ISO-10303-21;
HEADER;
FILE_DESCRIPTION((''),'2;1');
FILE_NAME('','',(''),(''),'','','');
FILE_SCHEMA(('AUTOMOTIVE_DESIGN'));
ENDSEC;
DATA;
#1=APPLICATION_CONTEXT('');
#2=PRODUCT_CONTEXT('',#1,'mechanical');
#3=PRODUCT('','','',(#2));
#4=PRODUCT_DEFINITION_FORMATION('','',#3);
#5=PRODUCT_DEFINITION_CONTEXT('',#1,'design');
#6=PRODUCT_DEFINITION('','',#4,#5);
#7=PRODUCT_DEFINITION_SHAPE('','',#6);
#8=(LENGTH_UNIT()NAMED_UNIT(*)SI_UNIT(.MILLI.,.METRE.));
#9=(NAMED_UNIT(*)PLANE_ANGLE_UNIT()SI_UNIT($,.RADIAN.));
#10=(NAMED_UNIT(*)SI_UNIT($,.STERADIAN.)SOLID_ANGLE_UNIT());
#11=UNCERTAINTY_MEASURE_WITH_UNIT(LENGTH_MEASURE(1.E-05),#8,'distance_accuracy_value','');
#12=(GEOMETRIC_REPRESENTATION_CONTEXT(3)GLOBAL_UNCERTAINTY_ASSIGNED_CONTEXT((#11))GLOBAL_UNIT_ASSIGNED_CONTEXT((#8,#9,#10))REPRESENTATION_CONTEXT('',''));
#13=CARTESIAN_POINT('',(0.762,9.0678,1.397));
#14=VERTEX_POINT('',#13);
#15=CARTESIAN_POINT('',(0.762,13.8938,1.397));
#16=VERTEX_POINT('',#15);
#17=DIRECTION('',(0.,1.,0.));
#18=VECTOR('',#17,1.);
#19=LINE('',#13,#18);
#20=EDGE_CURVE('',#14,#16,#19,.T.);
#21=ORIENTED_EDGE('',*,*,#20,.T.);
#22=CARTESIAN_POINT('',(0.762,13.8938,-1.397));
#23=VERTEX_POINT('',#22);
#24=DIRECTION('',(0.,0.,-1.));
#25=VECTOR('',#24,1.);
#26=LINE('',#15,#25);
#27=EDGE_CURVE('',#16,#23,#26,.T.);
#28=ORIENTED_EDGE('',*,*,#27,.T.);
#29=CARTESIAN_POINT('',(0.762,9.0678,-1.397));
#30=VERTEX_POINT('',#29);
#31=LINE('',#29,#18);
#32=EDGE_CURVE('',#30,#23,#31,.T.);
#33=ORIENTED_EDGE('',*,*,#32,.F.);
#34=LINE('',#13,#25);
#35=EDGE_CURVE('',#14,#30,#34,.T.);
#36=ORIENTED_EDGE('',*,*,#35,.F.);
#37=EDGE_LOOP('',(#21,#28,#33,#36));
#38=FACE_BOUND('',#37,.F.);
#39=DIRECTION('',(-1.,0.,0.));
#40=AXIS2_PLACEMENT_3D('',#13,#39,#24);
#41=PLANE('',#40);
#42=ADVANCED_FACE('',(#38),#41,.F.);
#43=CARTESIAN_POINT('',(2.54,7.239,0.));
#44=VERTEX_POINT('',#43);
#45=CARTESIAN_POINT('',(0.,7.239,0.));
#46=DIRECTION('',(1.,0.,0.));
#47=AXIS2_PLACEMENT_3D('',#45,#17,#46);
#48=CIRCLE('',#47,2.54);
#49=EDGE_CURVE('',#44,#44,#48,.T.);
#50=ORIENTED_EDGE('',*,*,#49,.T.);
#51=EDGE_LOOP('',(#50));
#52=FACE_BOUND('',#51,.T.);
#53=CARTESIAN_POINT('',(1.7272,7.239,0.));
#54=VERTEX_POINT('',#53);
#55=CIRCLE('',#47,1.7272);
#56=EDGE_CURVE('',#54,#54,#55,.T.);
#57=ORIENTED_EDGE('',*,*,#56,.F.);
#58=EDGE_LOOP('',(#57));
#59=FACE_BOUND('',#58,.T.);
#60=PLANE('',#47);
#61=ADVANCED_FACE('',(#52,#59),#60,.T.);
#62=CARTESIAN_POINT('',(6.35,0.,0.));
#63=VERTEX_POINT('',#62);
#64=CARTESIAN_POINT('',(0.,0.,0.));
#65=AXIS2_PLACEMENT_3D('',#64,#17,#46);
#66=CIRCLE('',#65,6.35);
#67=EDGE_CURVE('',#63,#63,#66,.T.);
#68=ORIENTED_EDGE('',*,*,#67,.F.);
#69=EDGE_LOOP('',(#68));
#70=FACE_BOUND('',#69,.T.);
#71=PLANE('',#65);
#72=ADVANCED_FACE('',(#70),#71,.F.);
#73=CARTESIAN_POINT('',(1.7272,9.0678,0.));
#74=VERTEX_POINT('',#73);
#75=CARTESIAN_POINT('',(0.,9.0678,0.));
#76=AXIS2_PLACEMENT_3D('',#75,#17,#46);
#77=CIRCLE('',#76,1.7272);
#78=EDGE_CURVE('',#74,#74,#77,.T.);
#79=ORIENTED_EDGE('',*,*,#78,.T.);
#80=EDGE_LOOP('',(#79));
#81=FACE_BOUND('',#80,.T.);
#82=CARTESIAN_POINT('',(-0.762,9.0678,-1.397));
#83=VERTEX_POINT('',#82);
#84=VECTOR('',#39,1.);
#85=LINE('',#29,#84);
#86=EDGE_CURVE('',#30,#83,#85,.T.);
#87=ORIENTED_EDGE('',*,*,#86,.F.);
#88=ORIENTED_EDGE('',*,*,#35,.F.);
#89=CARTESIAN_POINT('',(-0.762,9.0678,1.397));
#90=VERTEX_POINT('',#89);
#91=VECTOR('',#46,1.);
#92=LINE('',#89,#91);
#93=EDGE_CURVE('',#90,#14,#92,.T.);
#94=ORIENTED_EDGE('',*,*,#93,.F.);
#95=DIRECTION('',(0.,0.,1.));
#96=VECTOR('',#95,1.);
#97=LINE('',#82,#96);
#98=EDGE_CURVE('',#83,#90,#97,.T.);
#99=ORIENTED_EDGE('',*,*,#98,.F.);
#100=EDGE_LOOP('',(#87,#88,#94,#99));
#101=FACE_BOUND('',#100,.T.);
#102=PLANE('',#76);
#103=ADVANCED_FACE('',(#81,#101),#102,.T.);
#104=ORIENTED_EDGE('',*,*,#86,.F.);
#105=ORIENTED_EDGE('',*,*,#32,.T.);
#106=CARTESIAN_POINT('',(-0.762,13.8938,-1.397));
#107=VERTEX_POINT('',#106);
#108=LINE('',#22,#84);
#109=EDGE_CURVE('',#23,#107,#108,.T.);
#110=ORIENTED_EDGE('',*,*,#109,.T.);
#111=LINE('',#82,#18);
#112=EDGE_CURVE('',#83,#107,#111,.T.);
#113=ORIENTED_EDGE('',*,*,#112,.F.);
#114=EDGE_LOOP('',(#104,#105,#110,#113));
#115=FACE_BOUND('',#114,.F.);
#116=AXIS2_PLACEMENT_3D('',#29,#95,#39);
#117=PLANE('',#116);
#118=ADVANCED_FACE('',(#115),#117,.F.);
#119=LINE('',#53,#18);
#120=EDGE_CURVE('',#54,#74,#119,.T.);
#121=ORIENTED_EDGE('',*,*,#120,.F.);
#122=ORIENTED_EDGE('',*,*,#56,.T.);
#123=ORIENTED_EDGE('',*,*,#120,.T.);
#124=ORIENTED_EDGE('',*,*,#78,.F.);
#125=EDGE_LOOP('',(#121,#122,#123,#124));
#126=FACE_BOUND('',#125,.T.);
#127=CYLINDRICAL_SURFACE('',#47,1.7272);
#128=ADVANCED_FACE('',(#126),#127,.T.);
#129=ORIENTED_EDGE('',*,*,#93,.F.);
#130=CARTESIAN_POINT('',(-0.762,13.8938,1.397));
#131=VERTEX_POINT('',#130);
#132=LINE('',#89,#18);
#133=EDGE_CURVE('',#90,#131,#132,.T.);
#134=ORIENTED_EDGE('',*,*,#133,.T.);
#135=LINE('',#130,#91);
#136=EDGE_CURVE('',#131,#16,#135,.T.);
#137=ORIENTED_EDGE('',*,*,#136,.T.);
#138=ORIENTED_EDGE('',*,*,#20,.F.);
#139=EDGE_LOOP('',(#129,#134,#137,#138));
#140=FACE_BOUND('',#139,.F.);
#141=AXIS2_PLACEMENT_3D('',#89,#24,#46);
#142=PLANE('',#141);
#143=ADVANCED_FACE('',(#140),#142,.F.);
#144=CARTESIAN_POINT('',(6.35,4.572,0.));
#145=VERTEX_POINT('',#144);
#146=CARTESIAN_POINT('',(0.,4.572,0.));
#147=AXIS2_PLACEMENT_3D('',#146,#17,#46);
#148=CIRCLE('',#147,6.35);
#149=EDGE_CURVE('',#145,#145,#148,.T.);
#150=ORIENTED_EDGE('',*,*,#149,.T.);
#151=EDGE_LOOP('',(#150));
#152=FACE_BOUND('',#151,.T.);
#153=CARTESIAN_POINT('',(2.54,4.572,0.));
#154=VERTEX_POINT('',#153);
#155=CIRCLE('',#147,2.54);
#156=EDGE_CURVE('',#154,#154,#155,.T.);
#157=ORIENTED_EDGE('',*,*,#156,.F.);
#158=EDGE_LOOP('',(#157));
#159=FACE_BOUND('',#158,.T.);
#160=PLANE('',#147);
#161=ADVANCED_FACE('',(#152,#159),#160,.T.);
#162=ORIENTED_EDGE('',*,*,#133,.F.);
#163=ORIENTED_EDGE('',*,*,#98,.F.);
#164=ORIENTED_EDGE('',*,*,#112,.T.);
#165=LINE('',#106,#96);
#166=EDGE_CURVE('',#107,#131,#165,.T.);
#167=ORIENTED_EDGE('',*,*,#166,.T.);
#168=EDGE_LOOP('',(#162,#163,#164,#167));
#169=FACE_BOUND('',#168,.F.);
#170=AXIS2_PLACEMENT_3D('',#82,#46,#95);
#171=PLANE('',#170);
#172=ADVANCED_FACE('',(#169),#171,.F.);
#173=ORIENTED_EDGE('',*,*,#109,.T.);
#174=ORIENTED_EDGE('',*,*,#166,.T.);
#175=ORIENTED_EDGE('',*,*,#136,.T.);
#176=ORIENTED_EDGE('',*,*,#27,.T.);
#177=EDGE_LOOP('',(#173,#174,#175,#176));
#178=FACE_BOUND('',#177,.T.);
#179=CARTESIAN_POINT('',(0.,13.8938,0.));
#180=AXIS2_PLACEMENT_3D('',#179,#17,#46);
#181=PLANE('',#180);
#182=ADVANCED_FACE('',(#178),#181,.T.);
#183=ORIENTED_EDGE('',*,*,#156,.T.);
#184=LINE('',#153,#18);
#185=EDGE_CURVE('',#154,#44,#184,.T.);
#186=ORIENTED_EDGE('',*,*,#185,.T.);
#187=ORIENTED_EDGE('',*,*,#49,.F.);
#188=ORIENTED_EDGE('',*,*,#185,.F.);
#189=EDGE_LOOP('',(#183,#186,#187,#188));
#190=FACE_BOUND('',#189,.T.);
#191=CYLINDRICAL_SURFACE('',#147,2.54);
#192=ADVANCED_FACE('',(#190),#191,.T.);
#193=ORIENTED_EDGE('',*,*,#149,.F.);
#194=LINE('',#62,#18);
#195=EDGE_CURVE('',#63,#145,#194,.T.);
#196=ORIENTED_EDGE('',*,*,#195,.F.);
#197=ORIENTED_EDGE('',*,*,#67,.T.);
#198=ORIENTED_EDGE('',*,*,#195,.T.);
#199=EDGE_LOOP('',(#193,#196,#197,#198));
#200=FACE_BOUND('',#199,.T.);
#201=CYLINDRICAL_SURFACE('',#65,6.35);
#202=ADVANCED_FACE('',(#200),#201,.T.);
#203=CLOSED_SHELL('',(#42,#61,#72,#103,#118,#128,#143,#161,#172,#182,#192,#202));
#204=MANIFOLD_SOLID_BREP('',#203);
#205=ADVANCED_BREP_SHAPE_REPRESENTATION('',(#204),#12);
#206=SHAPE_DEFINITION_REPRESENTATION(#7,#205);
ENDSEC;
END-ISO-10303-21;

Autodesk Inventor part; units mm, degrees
ref_plane "YZ Plane" through (0, 0, 0) normal (1, 0, 0) x (0, 1, 0)
ref_plane "XZ Plane" through (0, 0, 0) normal (0, 1, 0) x (-1, 0, 0)
ref_plane "XY Plane" through (0, 0, 0) normal (0, 0, 1) x (1, 0, 0)
sketch "Sketch1" plane through (0, 0, 0) normal (0, 0, 1) x (1, 0, 0)
  line L0 (0, 0) -> (6.35, 0)
  line L1 (6.35, 0) -> (6.35, 4.572)
  line L2 (6.35, 4.572) -> (2.54, 4.572)
  line L3 (2.54, 4.572) -> (2.54, 7.239)
  line L4 (2.54, 7.239) -> (1.7272, 7.239)
  line L5 (1.7272, 7.239) -> (1.7272, 9.0678)
  line L6 (1.7272, 9.0678) -> (0, 9.0678)
  line L7 (0, 0) -> (0, 9.0678)
  dimension "d0" = 6.35
  dimension "d1" = 4.572
  dimension "d2" = 3.81
  dimension "d3" = 2.667
  dimension "d4" = 1.7272
  dimension "d5" = 1.8288
revolve "Revolution1" add sketch "Sketch1" angle 360 about axis through (0, 0, 0) along (0, 1, 0)
sketch "Sketch2" plane through (0, 9.0678, 0) normal (0, 1, 0) x (1, 0, 0)
  line L0 (-0.762, -1.397) -> (0.762, -1.397)
  line L1 (0.762, -1.397) -> (0.762, 1.397)
  line L2 (0.762, 1.397) -> (-0.762, 1.397)
  line L3 (-0.762, 1.397) -> (-0.762, -1.397)
  point P0 (0, 0)
  dimension "d7" = 2.794
  dimension "d8" = 1.524
  dimension "d9" = 1.397
  dimension "d10" = 0.762
extrude "Extrusion1" add sketch "Sketch2" along normal blind 4.826
equation "\"d9\" = 0.5 * d7"
equation "\"d10\" = 0.5 * d8"
properties part number "potentiometer" material "Brass, Soft Yellow, Welded"
